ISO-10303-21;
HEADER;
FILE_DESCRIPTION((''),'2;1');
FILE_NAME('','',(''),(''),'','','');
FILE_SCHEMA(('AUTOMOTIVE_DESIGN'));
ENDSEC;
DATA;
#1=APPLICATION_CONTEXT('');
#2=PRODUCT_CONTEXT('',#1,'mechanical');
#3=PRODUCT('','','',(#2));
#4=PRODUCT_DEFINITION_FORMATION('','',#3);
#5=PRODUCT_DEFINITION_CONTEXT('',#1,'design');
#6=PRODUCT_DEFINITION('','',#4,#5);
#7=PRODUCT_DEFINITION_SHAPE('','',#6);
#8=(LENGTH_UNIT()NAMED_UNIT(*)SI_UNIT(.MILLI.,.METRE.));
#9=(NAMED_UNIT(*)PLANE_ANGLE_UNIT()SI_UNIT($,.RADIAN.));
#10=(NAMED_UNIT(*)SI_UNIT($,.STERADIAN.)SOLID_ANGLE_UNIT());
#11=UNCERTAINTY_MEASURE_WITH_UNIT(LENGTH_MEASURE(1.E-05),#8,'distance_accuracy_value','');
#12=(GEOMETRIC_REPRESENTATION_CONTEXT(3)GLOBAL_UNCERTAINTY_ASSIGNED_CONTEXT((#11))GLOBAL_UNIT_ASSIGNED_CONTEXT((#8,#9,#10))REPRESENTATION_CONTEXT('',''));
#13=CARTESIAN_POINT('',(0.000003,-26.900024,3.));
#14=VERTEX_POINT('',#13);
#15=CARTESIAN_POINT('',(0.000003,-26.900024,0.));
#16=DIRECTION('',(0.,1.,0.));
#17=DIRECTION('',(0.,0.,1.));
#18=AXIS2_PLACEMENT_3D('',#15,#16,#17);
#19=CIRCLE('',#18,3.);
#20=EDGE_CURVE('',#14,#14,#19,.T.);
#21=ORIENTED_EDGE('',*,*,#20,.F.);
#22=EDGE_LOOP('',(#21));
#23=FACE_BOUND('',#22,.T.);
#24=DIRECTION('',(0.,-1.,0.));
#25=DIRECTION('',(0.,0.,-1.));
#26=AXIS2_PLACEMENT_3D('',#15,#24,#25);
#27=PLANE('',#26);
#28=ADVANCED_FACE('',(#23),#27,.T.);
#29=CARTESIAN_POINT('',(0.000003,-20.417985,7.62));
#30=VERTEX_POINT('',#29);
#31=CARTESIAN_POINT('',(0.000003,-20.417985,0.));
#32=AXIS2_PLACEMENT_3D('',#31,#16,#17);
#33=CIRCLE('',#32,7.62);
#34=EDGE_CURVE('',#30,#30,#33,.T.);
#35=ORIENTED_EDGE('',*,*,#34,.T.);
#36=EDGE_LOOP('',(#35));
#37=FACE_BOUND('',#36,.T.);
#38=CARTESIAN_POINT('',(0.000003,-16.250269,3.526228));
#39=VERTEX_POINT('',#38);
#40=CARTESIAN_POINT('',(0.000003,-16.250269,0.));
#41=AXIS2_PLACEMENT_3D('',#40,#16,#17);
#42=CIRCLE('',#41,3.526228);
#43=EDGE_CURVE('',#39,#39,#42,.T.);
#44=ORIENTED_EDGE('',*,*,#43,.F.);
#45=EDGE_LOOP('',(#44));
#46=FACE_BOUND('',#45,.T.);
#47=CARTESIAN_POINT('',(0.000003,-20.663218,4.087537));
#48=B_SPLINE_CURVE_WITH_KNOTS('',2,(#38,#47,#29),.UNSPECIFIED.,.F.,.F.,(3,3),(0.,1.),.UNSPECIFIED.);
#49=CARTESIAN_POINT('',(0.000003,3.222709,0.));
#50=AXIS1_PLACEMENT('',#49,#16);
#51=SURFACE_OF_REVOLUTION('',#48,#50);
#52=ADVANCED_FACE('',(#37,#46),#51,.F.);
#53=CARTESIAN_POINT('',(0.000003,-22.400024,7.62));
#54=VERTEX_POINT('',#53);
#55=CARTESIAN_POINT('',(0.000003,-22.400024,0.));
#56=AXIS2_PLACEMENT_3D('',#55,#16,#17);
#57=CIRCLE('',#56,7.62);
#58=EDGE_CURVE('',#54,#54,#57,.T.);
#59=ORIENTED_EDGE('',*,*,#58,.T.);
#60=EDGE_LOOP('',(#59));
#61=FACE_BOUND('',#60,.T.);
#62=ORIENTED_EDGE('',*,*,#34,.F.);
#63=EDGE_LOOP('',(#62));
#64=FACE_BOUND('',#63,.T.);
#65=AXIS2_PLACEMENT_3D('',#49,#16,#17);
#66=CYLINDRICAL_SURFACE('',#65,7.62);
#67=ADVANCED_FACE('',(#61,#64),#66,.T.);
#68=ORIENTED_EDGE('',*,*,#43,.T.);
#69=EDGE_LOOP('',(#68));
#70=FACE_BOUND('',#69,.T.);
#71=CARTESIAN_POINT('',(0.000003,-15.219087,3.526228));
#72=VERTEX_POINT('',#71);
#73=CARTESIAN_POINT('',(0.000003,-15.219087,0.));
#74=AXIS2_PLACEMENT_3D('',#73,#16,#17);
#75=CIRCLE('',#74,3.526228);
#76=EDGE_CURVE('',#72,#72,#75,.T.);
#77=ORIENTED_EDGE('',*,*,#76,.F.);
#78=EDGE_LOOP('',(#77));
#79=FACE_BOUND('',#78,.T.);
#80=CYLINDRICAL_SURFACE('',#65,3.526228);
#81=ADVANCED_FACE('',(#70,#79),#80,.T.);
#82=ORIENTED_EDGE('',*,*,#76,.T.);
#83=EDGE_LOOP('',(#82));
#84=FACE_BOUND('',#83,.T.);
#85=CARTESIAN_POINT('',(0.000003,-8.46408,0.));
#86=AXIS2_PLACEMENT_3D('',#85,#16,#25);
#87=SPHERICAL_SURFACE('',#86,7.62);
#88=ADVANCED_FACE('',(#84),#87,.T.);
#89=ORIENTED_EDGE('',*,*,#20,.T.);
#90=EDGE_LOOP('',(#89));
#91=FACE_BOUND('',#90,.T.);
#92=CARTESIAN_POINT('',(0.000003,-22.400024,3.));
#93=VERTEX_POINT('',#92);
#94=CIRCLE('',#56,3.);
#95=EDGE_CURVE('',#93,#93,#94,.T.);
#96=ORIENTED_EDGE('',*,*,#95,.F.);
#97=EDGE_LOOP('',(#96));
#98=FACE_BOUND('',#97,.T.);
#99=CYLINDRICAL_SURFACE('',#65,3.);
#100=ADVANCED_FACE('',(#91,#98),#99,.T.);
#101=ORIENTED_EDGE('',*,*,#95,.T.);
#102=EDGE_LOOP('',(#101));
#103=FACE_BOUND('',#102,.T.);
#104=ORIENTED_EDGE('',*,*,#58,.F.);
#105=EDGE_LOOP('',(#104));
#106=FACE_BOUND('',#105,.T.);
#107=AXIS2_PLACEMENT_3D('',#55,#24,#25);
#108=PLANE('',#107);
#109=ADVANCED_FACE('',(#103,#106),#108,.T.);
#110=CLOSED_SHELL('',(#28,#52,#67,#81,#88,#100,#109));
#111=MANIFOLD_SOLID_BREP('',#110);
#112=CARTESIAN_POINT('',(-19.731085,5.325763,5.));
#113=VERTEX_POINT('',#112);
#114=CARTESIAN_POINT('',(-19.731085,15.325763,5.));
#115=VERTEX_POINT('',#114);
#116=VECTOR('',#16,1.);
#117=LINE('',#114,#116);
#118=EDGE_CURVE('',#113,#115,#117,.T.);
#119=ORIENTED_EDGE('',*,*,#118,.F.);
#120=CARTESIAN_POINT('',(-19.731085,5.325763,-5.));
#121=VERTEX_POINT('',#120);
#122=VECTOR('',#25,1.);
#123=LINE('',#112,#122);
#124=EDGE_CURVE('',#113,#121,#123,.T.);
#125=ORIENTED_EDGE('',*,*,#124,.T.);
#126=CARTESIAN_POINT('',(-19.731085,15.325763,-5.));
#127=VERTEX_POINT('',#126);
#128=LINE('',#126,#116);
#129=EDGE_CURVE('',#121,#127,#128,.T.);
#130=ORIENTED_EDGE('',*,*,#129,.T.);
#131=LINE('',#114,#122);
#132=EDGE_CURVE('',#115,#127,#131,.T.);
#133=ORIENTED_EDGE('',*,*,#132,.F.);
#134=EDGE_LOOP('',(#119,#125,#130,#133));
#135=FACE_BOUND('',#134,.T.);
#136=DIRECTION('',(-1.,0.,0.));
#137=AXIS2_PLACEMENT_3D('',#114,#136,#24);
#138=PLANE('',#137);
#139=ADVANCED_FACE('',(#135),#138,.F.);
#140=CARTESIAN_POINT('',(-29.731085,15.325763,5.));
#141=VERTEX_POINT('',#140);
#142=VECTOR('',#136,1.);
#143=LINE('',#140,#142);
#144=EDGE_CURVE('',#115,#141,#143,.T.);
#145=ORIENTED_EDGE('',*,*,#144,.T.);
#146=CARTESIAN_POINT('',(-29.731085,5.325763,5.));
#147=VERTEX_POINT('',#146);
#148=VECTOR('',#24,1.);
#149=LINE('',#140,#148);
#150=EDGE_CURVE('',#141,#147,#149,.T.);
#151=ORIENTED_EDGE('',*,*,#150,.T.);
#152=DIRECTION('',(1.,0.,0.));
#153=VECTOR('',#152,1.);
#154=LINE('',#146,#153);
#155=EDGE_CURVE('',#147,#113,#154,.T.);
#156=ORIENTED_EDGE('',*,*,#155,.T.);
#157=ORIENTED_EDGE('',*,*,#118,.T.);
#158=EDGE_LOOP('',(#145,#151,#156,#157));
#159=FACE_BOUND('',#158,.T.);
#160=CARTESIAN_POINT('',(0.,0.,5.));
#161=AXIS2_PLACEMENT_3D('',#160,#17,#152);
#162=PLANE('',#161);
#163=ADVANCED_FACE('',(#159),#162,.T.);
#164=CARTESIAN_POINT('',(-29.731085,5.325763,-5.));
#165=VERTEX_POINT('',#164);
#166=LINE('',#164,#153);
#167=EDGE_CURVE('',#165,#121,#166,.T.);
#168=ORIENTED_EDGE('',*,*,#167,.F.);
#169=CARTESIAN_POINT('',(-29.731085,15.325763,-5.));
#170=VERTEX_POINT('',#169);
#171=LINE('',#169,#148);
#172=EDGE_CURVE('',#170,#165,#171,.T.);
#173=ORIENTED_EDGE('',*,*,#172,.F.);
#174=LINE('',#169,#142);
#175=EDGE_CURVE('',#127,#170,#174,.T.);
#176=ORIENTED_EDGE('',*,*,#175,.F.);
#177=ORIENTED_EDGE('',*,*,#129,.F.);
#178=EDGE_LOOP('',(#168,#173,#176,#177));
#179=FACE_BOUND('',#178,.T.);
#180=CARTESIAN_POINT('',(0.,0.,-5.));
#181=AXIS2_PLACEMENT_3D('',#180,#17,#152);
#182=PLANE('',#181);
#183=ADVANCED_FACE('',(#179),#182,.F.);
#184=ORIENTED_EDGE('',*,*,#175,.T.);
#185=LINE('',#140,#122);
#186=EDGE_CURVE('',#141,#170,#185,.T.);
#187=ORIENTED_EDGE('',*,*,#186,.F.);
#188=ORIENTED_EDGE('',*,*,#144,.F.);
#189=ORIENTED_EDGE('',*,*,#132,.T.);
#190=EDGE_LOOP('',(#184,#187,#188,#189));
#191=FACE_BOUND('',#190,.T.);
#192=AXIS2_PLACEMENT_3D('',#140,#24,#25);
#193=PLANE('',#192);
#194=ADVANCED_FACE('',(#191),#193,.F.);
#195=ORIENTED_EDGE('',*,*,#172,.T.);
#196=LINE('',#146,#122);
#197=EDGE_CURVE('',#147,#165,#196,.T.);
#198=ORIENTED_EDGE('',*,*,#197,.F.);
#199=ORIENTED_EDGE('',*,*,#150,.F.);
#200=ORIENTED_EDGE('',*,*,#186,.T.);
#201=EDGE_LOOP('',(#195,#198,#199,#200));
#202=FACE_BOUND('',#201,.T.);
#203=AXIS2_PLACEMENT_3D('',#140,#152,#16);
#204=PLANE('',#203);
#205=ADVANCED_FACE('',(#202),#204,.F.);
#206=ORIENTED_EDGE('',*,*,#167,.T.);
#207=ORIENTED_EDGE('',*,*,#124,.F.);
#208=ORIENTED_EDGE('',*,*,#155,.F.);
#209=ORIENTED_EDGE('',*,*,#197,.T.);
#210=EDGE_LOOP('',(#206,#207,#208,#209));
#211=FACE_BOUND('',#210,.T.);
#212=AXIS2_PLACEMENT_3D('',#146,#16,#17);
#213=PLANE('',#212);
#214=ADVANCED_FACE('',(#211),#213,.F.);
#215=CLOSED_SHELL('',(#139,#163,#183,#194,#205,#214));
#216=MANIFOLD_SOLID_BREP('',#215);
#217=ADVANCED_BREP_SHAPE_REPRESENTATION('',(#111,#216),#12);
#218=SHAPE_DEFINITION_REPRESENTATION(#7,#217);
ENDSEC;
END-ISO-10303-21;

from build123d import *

# Parameters (mm, degrees)
SKETCH1_W           = 10
SKETCH1_H           = 15
SCALE1_SCALE        = 0.3
SKETCH5_W           = 10
SKETCH5_H           = 10
BOSS_EXTRUDE1_DEPTH = 5


with BuildPart() as part:
    # Sketch1 → Revolve2 (revolve)
    with BuildSketch(Plane(origin=(0, 0, 0), x_dir=(0, 0, -1), z_dir=(1, 0, 0))):
        with BuildLine():
            Line((0, 25.4), (0, -25.4))
            ThreePointArc((0, -25.4), (-25.4, 0), (0, 25.4))
        make_face()
        with BuildLine():
            Line((0, -46.453146802), (0, -25.4))
            ThreePointArc((0, -25.4), (-6.051284035, -24.668643285), (-11.754091911, -22.516689884))
            Line((-11.754091911, -22.516689884), (-11.754091911, -25.953962773))
            add(Edge.make_bspline(
                [(-11.754091911, -25.953962773), (-13.625124372, -40.663791469), (-25.4, -39.846348213)],
                knots=[0, 0, 0, 1, 1, 1], degree=2))
            Line((-25.4, -39.846348213), (-25.4, -46.453146802))
            Line((-25.4, -46.453146802), (-10, -46.453146802))
            Line((-10, -46.453146802), (0, -46.453146802))
        make_face()
        with Locations((-5, -53.953146802)):
            Rectangle(SKETCH1_W, SKETCH1_H)
    revolve(axis=Axis((0, 38.955963628, 0), (0, -1, 0)))


with BuildPart() as part_1:
    # Scale1: scaled about (0, -12.091541088, 0)
    add(part.part.scale(SCALE1_SCALE).moved(Location((0, -8.464078762, 0))))


with BuildPart() as body_2:
    # Sketch5 → Boss-Extrude1 (new, symmetric)
    with BuildSketch(Plane.XY):
        with Locations((-24.731084823, 10.325763219)):
            Rectangle(SKETCH5_W, SKETCH5_H)
    extrude(amount=BOSS_EXTRUDE1_DEPTH, both=True)


solid = Compound([part_1.part, body_2.part])
